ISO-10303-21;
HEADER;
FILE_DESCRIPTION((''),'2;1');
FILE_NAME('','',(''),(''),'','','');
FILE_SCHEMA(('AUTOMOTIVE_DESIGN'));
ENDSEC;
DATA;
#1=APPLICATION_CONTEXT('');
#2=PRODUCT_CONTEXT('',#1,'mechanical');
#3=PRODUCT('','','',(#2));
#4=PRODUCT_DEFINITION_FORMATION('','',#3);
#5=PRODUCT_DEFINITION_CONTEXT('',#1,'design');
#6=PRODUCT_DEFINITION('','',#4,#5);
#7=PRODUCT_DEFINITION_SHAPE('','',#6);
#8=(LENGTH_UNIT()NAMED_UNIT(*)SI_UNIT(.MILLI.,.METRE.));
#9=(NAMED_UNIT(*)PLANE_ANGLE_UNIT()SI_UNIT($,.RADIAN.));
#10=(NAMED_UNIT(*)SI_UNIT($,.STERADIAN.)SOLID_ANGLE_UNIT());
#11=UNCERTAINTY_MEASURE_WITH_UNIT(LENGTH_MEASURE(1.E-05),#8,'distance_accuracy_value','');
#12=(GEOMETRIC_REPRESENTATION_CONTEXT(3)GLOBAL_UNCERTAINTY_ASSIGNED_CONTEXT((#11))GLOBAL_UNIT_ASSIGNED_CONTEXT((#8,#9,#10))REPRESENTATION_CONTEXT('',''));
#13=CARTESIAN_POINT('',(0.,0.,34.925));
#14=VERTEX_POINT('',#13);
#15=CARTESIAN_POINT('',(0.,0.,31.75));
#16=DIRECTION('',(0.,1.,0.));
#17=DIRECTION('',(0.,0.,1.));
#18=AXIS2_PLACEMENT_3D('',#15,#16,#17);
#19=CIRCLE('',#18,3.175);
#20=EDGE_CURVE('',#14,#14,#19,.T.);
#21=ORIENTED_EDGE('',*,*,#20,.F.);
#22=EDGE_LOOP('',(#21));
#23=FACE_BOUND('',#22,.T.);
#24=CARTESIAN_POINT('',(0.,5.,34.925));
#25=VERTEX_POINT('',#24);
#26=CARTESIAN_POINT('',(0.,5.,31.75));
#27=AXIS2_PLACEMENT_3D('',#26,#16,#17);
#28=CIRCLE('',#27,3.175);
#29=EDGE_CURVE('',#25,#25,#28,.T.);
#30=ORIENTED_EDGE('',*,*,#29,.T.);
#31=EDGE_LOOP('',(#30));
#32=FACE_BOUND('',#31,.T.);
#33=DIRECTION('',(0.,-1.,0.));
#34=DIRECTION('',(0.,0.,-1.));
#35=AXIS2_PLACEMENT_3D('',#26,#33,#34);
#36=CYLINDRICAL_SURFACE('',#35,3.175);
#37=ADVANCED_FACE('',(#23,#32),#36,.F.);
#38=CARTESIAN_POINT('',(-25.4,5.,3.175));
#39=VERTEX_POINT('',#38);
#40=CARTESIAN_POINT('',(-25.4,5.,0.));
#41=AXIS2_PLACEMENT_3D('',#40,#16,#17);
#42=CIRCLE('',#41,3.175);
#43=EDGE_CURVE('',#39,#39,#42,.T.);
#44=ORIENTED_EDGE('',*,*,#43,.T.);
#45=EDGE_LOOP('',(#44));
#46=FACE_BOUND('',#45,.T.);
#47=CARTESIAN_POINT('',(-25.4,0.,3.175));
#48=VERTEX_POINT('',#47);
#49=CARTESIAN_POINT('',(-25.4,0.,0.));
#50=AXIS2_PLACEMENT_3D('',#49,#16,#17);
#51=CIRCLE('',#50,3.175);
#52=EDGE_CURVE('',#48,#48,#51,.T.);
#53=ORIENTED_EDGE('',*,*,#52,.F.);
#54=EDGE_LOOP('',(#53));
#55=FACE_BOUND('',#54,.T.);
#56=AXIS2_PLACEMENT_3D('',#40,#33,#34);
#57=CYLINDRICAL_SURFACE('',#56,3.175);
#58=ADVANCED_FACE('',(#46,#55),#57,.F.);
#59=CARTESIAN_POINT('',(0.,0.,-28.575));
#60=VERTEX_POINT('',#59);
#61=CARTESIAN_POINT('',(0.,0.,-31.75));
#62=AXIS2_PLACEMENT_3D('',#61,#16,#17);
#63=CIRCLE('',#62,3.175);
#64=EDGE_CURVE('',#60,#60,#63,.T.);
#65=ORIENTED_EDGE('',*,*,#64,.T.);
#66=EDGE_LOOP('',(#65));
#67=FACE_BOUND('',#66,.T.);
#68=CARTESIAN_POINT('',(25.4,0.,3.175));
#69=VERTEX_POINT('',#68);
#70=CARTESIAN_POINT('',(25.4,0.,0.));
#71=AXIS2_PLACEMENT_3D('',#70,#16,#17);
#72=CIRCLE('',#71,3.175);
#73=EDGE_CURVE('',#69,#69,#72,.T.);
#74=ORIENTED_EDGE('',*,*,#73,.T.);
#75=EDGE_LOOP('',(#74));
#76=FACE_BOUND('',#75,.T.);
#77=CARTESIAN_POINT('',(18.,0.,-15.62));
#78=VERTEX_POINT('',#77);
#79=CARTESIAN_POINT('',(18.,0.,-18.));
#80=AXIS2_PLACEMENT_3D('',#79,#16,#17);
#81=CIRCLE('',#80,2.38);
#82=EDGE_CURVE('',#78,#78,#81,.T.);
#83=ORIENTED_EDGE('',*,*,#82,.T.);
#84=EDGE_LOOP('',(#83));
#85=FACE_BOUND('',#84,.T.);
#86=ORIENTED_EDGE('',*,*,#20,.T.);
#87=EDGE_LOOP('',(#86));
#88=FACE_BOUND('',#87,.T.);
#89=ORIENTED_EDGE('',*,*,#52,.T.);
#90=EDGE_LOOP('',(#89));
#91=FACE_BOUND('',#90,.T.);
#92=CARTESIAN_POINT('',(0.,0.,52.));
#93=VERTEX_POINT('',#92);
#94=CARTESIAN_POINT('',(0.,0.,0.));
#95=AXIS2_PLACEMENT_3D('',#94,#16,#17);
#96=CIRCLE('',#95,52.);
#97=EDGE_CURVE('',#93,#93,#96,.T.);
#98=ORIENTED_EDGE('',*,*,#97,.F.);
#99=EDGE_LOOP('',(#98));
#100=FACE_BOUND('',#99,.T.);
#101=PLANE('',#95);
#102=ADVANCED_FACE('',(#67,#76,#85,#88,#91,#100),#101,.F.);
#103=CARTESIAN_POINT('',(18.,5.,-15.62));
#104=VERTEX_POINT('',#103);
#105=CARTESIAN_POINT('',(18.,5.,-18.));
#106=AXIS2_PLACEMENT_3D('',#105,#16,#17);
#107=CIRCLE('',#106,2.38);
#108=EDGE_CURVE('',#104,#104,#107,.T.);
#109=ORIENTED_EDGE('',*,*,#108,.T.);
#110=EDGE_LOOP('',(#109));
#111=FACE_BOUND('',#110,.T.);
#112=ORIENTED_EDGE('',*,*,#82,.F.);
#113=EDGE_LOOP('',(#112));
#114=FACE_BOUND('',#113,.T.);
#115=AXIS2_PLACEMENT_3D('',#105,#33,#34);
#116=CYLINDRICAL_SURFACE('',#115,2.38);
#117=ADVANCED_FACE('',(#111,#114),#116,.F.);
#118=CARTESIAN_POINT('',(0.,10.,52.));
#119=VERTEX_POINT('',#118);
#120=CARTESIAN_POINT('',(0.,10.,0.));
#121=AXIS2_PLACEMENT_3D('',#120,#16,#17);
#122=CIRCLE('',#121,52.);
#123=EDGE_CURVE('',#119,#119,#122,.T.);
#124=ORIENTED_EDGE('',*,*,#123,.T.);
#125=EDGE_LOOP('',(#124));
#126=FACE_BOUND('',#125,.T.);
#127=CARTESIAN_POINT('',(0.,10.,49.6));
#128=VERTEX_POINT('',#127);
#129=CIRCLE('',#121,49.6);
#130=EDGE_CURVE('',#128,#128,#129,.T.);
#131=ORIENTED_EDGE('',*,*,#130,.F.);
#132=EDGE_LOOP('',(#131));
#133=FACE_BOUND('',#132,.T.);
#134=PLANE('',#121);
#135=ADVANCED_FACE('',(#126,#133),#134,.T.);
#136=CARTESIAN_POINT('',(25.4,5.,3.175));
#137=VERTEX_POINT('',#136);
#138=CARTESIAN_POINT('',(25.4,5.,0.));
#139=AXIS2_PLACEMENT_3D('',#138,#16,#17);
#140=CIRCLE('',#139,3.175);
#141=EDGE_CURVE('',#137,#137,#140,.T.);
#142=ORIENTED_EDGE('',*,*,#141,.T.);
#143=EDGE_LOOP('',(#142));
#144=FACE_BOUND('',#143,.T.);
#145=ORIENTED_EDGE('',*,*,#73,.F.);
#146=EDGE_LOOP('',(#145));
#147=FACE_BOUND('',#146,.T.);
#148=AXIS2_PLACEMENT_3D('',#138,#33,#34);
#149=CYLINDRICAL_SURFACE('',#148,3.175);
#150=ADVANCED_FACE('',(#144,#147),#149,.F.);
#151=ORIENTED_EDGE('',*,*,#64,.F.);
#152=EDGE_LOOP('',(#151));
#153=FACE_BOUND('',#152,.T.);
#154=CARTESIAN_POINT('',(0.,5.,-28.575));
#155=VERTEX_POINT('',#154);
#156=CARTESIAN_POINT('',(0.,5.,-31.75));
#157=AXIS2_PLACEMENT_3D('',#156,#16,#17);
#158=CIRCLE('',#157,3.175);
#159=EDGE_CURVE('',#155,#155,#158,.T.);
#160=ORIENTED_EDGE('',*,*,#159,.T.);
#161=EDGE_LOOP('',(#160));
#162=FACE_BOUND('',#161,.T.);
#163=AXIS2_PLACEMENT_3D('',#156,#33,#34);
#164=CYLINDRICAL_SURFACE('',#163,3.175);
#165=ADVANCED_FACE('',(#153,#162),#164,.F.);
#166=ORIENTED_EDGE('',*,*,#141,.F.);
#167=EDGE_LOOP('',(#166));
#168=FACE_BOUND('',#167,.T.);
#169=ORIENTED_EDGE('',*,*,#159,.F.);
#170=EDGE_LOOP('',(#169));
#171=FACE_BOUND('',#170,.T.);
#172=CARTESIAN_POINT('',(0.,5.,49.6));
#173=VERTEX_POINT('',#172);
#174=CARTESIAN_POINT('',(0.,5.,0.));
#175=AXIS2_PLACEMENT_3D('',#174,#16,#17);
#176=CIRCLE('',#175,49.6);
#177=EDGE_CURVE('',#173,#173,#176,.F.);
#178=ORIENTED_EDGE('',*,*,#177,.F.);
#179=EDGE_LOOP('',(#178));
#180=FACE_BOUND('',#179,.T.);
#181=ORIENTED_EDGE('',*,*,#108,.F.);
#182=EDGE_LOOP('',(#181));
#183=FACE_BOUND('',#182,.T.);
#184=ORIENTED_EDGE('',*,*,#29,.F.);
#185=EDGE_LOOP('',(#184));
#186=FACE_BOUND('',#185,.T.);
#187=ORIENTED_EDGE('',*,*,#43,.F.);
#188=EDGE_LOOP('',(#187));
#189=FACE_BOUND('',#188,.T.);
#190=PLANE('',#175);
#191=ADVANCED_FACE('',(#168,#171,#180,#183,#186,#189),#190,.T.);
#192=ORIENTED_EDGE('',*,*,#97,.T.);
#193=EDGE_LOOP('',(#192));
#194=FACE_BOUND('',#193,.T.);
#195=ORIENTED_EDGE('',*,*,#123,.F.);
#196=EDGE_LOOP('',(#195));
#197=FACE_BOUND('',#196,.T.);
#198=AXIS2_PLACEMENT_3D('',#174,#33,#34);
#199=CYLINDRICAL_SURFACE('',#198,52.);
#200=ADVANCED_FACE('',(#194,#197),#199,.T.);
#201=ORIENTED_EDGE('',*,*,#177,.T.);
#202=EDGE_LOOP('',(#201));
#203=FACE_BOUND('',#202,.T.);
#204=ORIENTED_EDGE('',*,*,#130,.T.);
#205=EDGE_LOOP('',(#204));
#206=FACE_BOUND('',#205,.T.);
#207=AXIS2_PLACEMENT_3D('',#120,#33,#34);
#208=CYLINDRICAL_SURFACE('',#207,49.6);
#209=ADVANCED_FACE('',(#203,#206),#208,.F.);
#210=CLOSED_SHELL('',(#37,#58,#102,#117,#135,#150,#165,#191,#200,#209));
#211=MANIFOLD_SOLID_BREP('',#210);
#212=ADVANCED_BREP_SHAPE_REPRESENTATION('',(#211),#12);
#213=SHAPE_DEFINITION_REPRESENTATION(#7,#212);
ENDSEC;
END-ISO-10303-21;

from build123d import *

# Parameters (mm, degrees)
SKETCH1_R           = 52
SKETCH1_R_2         = 3.175
SKETCH1_R_3         = 2.38
BOSS_EXTRUDE1_DEPTH = 5
SKETCH2_R           = 52
SKETCH2_R_2         = 49.6
BOSS_EXTRUDE2_DEPTH = 5


with BuildPart() as part:
    # Sketch1 → Boss-Extrude1 (new body)
    with BuildSketch(Plane(origin=(0, 0, 0), x_dir=(1, 0, 0), z_dir=(0, 1, 0))):
        Circle(SKETCH1_R)
        with Locations((25.4, 0)):
            Circle(SKETCH1_R_2, mode=Mode.SUBTRACT)
        with Locations((0, 31.75)):
            Circle(SKETCH1_R_2, mode=Mode.SUBTRACT)
        with Locations((-25.4, 0)):
            Circle(SKETCH1_R_2, mode=Mode.SUBTRACT)
        with Locations((0, -31.75)):
            Circle(SKETCH1_R_2, mode=Mode.SUBTRACT)
        with Locations((18, 18)):
            Circle(SKETCH1_R_3, mode=Mode.SUBTRACT)
    extrude(amount=BOSS_EXTRUDE1_DEPTH)

    # Sketch2 → Boss-Extrude2 (add)
    with BuildSketch(Plane(origin=(0, 5, 0), x_dir=(1, 0, 0), z_dir=(0, 1, 0))):
        Circle(SKETCH2_R)
        Circle(SKETCH2_R_2, mode=Mode.SUBTRACT)
    extrude(amount=BOSS_EXTRUDE2_DEPTH)


solid = part.part
